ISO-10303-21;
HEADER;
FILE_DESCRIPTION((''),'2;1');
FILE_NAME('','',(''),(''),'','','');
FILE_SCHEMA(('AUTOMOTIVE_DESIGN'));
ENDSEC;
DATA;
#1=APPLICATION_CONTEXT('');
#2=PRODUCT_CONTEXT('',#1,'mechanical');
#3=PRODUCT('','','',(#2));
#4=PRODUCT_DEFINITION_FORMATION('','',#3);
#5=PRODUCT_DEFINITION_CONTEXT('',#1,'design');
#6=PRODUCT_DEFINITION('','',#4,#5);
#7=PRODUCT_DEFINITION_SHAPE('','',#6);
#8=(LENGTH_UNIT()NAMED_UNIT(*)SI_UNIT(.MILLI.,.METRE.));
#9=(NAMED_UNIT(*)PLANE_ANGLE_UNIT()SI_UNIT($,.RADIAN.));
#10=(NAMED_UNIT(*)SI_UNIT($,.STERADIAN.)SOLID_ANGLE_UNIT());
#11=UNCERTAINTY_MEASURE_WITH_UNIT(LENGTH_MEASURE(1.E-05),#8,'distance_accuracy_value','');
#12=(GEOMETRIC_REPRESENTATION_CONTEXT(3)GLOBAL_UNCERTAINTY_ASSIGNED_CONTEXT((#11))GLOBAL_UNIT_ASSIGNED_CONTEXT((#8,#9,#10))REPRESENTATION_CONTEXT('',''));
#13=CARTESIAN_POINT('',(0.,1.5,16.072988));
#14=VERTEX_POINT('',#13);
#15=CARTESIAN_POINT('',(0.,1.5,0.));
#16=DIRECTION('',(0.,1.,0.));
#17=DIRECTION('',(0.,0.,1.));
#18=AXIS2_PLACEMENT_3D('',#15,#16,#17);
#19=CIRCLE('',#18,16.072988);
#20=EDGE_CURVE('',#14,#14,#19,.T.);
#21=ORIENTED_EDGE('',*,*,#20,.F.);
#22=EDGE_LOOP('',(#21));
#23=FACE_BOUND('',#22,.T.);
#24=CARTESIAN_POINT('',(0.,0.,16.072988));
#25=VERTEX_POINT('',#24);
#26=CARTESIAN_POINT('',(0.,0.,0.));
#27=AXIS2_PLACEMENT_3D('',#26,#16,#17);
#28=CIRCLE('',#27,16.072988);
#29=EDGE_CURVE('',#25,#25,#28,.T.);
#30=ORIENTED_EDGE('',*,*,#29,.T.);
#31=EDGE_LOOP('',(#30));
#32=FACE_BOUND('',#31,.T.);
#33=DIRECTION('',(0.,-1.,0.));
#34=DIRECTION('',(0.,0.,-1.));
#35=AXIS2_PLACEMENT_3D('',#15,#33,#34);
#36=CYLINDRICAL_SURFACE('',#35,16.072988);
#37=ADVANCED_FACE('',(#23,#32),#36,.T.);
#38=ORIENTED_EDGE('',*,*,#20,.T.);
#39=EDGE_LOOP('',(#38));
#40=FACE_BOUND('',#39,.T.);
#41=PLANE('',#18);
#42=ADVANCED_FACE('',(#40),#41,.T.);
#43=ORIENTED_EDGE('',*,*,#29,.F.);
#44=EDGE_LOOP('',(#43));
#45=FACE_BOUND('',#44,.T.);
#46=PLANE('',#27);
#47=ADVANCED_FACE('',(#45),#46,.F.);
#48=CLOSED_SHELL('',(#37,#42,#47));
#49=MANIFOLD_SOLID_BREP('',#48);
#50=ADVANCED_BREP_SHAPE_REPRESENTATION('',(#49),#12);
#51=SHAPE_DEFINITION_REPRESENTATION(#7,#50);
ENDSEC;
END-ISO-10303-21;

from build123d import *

# Parameters (mm, degrees)
GEL_PAD_SKETCH_R = 16.072988092
GEL_PAD_DEPTH    = 1.5


with BuildPart() as part:
    # Gel Pad Sketch → Gel Pad (new body)
    with BuildSketch(Plane(origin=(0, 0, 97.3), x_dir=(1, 0, 0), z_dir=(0, 1, 0))):
        with Locations(Location((0, 97.3, 0), (0, 0, 270))):
            Circle(GEL_PAD_SKETCH_R)
    extrude(amount=GEL_PAD_DEPTH)


solid = part.part
